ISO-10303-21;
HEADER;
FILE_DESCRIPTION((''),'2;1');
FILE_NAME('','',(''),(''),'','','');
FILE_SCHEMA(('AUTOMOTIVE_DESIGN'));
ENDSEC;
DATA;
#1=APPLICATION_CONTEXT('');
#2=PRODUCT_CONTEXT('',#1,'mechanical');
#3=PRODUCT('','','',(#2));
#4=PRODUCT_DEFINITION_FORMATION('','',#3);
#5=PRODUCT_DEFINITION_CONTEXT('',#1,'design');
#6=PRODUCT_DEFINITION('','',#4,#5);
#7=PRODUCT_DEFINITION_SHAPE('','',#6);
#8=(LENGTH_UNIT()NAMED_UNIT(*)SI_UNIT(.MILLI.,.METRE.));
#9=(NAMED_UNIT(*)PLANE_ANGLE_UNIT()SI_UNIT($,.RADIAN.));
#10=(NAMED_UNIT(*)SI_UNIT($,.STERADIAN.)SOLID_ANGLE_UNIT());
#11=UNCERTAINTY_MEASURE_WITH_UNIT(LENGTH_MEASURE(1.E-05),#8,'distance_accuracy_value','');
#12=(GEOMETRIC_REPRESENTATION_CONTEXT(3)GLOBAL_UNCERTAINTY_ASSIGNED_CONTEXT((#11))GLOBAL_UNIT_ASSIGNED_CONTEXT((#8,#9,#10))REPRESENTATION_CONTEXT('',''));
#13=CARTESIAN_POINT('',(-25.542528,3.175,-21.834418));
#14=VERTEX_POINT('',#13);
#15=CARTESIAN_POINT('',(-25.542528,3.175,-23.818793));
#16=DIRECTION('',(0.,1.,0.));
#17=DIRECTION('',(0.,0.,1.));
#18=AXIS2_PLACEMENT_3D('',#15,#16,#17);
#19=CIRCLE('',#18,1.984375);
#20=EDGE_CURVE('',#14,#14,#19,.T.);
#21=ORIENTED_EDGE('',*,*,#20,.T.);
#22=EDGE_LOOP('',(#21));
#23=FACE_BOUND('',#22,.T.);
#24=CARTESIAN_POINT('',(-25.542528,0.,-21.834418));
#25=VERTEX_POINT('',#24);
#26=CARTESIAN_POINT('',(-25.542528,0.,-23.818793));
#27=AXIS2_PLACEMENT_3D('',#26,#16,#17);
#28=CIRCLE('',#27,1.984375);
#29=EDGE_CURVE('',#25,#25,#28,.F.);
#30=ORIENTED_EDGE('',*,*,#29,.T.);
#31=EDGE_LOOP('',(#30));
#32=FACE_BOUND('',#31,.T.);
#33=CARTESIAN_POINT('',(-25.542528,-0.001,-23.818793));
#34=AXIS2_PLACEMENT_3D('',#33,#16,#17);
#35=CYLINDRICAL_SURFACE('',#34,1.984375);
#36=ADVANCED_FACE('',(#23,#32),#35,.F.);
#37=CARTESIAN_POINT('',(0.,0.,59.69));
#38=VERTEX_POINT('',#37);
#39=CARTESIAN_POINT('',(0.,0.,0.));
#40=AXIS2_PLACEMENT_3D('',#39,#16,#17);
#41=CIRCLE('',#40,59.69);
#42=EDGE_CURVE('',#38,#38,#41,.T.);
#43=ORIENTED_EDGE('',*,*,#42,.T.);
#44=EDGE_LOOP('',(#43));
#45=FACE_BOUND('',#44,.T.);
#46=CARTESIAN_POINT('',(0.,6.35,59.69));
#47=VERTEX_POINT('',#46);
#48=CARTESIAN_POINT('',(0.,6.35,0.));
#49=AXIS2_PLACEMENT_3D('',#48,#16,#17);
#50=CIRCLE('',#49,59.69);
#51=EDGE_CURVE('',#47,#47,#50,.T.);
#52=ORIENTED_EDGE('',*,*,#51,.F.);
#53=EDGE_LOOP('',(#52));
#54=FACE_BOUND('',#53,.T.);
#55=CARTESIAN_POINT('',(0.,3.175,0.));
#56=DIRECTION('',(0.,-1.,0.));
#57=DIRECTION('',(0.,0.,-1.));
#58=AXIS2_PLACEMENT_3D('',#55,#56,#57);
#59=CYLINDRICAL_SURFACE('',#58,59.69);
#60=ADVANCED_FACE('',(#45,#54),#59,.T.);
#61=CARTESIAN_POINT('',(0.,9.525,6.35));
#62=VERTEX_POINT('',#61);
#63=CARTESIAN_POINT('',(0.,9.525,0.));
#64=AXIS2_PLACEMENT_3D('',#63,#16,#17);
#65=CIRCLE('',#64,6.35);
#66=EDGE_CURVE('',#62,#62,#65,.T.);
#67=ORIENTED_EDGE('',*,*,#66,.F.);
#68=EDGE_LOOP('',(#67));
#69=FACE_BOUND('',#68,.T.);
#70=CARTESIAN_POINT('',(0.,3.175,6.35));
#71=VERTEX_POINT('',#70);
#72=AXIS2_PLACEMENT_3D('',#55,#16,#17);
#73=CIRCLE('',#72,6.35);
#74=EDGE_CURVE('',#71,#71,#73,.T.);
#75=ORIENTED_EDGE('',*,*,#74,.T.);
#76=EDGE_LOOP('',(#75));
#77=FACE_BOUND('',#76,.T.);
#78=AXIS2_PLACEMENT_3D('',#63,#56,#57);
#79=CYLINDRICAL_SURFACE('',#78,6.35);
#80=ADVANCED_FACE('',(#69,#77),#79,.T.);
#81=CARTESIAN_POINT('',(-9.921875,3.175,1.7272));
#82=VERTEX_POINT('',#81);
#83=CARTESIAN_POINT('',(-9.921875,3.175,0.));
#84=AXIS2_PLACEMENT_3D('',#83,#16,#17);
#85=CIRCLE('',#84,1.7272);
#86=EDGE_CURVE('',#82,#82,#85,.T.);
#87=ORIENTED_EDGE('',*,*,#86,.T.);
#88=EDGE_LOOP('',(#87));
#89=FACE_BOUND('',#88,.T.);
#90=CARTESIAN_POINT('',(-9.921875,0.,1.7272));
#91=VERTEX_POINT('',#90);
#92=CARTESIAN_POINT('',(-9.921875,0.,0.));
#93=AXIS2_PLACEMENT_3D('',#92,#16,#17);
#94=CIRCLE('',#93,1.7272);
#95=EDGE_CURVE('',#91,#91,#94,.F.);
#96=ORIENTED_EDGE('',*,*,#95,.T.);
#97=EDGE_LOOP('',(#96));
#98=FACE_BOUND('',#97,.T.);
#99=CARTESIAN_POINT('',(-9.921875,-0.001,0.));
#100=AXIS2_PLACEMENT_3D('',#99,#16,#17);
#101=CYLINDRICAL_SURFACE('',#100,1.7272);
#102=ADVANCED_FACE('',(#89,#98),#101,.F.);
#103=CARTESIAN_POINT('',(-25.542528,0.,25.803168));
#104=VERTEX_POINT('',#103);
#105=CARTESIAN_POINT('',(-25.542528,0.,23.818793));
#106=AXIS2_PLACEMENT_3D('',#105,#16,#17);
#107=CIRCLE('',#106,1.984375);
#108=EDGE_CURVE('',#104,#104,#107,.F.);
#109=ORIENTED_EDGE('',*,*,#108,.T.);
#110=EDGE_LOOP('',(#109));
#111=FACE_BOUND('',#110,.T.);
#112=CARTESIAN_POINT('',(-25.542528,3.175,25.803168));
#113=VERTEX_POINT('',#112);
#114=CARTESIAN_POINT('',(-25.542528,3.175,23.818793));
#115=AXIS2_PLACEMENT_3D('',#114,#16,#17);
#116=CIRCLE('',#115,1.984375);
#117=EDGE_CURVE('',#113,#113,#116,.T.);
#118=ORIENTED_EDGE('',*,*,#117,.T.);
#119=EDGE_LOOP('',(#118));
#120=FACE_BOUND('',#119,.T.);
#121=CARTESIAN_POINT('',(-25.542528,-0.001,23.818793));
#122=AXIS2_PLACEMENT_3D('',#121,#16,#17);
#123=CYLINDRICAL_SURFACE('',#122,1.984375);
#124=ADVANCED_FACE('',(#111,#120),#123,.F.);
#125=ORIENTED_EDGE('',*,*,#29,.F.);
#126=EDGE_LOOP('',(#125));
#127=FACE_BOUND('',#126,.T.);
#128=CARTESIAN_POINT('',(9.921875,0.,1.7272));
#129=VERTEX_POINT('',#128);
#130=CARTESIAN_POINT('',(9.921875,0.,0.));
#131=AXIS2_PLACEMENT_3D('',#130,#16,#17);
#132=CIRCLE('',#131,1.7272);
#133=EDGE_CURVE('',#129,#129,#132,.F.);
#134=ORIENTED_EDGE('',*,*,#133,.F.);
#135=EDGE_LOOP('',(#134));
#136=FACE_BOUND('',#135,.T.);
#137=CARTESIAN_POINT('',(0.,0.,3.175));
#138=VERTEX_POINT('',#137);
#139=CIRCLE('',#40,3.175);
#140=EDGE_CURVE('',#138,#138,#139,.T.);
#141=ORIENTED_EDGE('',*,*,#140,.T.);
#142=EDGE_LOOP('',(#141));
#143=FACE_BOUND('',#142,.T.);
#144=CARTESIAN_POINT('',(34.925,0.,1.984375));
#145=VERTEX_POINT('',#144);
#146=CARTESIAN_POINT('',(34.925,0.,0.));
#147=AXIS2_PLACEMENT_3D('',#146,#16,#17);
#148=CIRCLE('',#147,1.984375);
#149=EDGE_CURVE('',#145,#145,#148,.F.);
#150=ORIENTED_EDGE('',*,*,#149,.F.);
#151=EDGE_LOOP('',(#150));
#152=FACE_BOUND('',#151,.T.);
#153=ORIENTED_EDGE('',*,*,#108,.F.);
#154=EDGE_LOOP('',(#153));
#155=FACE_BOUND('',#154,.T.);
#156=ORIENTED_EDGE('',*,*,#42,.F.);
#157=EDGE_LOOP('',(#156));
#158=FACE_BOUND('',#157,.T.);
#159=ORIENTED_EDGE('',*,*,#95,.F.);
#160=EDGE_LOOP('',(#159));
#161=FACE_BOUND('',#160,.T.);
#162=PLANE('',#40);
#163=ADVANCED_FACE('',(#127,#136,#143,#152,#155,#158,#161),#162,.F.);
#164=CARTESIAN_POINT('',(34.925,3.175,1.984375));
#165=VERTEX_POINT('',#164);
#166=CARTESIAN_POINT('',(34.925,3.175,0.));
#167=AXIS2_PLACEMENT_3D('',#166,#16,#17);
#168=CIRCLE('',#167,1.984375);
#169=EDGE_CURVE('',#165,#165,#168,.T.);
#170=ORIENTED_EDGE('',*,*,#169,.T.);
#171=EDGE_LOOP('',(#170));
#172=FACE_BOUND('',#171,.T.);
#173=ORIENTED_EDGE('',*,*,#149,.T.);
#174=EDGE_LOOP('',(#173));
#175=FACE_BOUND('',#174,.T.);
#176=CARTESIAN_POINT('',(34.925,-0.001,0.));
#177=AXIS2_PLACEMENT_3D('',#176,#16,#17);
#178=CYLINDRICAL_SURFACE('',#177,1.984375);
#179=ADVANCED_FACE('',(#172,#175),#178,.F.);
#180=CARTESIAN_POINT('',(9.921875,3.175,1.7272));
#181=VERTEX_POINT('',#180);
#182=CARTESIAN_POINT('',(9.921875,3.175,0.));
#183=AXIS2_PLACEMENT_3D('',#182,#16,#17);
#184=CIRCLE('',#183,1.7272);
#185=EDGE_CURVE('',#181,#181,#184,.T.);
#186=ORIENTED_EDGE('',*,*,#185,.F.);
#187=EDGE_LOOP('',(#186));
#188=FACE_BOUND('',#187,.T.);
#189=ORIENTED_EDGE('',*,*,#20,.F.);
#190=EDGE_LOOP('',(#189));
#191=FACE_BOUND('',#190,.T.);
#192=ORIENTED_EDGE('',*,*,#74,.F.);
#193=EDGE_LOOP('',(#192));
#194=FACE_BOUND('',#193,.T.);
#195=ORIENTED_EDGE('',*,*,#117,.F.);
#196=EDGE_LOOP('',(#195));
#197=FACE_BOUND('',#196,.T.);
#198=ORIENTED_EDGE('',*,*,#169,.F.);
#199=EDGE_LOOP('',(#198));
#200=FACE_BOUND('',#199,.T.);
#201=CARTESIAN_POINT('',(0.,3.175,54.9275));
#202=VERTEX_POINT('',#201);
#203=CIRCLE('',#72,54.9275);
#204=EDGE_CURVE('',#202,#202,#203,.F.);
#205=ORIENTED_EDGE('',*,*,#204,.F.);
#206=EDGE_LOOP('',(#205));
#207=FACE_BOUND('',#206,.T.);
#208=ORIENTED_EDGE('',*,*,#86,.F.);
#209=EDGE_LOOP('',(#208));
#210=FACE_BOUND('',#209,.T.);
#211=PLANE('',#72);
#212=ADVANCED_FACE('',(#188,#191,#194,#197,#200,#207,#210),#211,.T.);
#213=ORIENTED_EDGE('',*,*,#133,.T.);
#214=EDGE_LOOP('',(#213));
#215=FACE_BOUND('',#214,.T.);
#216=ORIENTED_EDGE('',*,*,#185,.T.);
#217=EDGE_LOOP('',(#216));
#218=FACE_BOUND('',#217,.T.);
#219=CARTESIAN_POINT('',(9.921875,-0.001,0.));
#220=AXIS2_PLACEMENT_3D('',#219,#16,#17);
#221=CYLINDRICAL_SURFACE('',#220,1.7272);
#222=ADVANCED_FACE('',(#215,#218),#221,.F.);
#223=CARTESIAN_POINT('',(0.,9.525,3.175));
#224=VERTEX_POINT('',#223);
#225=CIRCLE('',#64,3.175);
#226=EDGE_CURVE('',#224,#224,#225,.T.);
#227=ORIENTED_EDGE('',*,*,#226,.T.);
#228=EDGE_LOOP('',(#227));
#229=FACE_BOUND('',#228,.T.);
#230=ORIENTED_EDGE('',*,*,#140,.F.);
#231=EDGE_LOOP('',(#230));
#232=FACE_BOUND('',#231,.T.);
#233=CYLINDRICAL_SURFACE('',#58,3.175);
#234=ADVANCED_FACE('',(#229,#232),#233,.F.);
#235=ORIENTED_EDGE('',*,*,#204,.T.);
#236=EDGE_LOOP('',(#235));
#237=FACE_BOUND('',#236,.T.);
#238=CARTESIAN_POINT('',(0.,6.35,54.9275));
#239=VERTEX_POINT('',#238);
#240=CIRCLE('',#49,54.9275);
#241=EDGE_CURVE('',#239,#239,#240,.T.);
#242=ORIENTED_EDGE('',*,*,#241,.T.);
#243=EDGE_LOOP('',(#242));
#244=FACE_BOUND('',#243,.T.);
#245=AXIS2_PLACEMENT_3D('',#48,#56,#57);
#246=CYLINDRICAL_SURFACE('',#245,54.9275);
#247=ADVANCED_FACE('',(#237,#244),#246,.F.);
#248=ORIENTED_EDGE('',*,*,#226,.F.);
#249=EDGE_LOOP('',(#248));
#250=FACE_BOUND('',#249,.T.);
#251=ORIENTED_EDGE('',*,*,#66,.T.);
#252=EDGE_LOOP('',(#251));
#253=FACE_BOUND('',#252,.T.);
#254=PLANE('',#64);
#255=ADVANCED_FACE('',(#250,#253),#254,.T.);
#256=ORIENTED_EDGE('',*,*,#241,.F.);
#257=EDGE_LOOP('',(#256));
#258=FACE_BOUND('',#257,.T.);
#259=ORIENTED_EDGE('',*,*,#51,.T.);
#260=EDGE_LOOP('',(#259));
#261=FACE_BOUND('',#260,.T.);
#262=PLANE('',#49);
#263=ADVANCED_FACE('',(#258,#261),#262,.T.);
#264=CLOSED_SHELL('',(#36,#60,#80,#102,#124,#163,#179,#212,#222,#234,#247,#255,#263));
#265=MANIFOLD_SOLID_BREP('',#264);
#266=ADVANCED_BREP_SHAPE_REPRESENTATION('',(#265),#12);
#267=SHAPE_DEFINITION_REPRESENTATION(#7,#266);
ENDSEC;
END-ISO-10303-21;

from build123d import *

# Parameters (mm, degrees)
SKETCH1_R          = 59.69
SKETCH1_R_2        = 3.175
EXTRUDE1_DEPTH     = 3.175
SKETCH2_R          = 59.69
SKETCH2_R_2        = 54.9275
EXTRUDE2_DEPTH     = 3.175
CUT_EXTRUDE1_REACH = 5.175
SKETCH3_R          = 1.984375
SKETCH3_R_2        = 1.7272
SKETCH4_R          = 6.35
SKETCH4_R_2        = 3.175
EXTRUDE3_DEPTH     = 6.35


with BuildPart() as part:
    # Sketch1 → Extrude1 (new body)
    with BuildSketch(Plane(origin=(0, 0, 0), x_dir=(1, 0, 0), z_dir=(0, 1, 0))):
        Circle(SKETCH1_R)
        Circle(SKETCH1_R_2, mode=Mode.SUBTRACT)
    extrude(amount=EXTRUDE1_DEPTH)

    # Sketch2 → Extrude2 (add)
    with BuildSketch(Plane(origin=(0, 3.175, 0), x_dir=(-1, 0, 0), z_dir=(0, 1, 0))):
        Circle(SKETCH2_R)
        Circle(SKETCH2_R_2, mode=Mode.SUBTRACT)
    extrude(amount=EXTRUDE2_DEPTH)

    # Sketch3 → Cut-Extrude1 (cut, up to next)
    with BuildSketch(Plane(origin=(0, 3.175, 0), x_dir=(-1, 0, 0), z_dir=(0, 1, 0)), mode=Mode.PRIVATE) as cut_extrude1_sk1:
        with Locations((25.542528029, -23.818792725)):
            Circle(SKETCH3_R)
    cut_extrude1_tool1 = extrude(cut_extrude1_sk1.sketch, amount=-CUT_EXTRUDE1_REACH, mode=Mode.PRIVATE) & part.part
    add(cut_extrude1_tool1.solids().sort_by_distance((-25.542528, 3.175, -23.818793))[0], mode=Mode.SUBTRACT)
    # Sketch3 → Cut-Extrude1 (cut, up to next)
    with BuildSketch(Plane(origin=(0, 3.175, 0), x_dir=(-1, 0, 0), z_dir=(0, 1, 0)), mode=Mode.PRIVATE) as cut_extrude1_sk2:
        with Locations((25.542528029, 23.818792725)):
            Circle(SKETCH3_R)
    cut_extrude1_tool2 = extrude(cut_extrude1_sk2.sketch, amount=-CUT_EXTRUDE1_REACH, mode=Mode.PRIVATE) & part.part
    add(cut_extrude1_tool2.solids().sort_by_distance((-25.542528, 3.175, 23.818793))[0], mode=Mode.SUBTRACT)
    # Sketch3 → Cut-Extrude1 (cut, up to next)
    with BuildSketch(Plane(origin=(0, 3.175, 0), x_dir=(-1, 0, 0), z_dir=(0, 1, 0)), mode=Mode.PRIVATE) as cut_extrude1_sk3:
        with Locations((-34.925, 0)):
            Circle(SKETCH3_R)
    cut_extrude1_tool3 = extrude(cut_extrude1_sk3.sketch, amount=-CUT_EXTRUDE1_REACH, mode=Mode.PRIVATE) & part.part
    add(cut_extrude1_tool3.solids().sort_by_distance((34.925, 3.175, 0))[0], mode=Mode.SUBTRACT)
    # Sketch3 → Cut-Extrude1 (cut, up to next)
    with BuildSketch(Plane(origin=(0, 3.175, 0), x_dir=(-1, 0, 0), z_dir=(0, 1, 0)), mode=Mode.PRIVATE) as cut_extrude1_sk4:
        with Locations((-9.921875, 0)):
            Circle(SKETCH3_R_2)
    cut_extrude1_tool4 = extrude(cut_extrude1_sk4.sketch, amount=-CUT_EXTRUDE1_REACH, mode=Mode.PRIVATE) & part.part
    add(cut_extrude1_tool4.solids().sort_by_distance((9.921875, 3.175, 0))[0], mode=Mode.SUBTRACT)
    # Sketch3 → Cut-Extrude1 (cut, up to next)
    with BuildSketch(Plane(origin=(0, 3.175, 0), x_dir=(-1, 0, 0), z_dir=(0, 1, 0)), mode=Mode.PRIVATE) as cut_extrude1_sk5:
        with Locations((9.921875, 0)):
            Circle(SKETCH3_R_2)
    cut_extrude1_tool5 = extrude(cut_extrude1_sk5.sketch, amount=-CUT_EXTRUDE1_REACH, mode=Mode.PRIVATE) & part.part
    add(cut_extrude1_tool5.solids().sort_by_distance((-9.921875, 3.175, 0))[0], mode=Mode.SUBTRACT)

    # Sketch4 → Extrude3 (add)
    with BuildSketch(Plane(origin=(0, 3.175, 0), x_dir=(-1, 0, 0), z_dir=(0, 1, 0))):
        Circle(SKETCH4_R)
        Circle(SKETCH4_R_2, mode=Mode.SUBTRACT)
    extrude(amount=EXTRUDE3_DEPTH)


solid = part.part
